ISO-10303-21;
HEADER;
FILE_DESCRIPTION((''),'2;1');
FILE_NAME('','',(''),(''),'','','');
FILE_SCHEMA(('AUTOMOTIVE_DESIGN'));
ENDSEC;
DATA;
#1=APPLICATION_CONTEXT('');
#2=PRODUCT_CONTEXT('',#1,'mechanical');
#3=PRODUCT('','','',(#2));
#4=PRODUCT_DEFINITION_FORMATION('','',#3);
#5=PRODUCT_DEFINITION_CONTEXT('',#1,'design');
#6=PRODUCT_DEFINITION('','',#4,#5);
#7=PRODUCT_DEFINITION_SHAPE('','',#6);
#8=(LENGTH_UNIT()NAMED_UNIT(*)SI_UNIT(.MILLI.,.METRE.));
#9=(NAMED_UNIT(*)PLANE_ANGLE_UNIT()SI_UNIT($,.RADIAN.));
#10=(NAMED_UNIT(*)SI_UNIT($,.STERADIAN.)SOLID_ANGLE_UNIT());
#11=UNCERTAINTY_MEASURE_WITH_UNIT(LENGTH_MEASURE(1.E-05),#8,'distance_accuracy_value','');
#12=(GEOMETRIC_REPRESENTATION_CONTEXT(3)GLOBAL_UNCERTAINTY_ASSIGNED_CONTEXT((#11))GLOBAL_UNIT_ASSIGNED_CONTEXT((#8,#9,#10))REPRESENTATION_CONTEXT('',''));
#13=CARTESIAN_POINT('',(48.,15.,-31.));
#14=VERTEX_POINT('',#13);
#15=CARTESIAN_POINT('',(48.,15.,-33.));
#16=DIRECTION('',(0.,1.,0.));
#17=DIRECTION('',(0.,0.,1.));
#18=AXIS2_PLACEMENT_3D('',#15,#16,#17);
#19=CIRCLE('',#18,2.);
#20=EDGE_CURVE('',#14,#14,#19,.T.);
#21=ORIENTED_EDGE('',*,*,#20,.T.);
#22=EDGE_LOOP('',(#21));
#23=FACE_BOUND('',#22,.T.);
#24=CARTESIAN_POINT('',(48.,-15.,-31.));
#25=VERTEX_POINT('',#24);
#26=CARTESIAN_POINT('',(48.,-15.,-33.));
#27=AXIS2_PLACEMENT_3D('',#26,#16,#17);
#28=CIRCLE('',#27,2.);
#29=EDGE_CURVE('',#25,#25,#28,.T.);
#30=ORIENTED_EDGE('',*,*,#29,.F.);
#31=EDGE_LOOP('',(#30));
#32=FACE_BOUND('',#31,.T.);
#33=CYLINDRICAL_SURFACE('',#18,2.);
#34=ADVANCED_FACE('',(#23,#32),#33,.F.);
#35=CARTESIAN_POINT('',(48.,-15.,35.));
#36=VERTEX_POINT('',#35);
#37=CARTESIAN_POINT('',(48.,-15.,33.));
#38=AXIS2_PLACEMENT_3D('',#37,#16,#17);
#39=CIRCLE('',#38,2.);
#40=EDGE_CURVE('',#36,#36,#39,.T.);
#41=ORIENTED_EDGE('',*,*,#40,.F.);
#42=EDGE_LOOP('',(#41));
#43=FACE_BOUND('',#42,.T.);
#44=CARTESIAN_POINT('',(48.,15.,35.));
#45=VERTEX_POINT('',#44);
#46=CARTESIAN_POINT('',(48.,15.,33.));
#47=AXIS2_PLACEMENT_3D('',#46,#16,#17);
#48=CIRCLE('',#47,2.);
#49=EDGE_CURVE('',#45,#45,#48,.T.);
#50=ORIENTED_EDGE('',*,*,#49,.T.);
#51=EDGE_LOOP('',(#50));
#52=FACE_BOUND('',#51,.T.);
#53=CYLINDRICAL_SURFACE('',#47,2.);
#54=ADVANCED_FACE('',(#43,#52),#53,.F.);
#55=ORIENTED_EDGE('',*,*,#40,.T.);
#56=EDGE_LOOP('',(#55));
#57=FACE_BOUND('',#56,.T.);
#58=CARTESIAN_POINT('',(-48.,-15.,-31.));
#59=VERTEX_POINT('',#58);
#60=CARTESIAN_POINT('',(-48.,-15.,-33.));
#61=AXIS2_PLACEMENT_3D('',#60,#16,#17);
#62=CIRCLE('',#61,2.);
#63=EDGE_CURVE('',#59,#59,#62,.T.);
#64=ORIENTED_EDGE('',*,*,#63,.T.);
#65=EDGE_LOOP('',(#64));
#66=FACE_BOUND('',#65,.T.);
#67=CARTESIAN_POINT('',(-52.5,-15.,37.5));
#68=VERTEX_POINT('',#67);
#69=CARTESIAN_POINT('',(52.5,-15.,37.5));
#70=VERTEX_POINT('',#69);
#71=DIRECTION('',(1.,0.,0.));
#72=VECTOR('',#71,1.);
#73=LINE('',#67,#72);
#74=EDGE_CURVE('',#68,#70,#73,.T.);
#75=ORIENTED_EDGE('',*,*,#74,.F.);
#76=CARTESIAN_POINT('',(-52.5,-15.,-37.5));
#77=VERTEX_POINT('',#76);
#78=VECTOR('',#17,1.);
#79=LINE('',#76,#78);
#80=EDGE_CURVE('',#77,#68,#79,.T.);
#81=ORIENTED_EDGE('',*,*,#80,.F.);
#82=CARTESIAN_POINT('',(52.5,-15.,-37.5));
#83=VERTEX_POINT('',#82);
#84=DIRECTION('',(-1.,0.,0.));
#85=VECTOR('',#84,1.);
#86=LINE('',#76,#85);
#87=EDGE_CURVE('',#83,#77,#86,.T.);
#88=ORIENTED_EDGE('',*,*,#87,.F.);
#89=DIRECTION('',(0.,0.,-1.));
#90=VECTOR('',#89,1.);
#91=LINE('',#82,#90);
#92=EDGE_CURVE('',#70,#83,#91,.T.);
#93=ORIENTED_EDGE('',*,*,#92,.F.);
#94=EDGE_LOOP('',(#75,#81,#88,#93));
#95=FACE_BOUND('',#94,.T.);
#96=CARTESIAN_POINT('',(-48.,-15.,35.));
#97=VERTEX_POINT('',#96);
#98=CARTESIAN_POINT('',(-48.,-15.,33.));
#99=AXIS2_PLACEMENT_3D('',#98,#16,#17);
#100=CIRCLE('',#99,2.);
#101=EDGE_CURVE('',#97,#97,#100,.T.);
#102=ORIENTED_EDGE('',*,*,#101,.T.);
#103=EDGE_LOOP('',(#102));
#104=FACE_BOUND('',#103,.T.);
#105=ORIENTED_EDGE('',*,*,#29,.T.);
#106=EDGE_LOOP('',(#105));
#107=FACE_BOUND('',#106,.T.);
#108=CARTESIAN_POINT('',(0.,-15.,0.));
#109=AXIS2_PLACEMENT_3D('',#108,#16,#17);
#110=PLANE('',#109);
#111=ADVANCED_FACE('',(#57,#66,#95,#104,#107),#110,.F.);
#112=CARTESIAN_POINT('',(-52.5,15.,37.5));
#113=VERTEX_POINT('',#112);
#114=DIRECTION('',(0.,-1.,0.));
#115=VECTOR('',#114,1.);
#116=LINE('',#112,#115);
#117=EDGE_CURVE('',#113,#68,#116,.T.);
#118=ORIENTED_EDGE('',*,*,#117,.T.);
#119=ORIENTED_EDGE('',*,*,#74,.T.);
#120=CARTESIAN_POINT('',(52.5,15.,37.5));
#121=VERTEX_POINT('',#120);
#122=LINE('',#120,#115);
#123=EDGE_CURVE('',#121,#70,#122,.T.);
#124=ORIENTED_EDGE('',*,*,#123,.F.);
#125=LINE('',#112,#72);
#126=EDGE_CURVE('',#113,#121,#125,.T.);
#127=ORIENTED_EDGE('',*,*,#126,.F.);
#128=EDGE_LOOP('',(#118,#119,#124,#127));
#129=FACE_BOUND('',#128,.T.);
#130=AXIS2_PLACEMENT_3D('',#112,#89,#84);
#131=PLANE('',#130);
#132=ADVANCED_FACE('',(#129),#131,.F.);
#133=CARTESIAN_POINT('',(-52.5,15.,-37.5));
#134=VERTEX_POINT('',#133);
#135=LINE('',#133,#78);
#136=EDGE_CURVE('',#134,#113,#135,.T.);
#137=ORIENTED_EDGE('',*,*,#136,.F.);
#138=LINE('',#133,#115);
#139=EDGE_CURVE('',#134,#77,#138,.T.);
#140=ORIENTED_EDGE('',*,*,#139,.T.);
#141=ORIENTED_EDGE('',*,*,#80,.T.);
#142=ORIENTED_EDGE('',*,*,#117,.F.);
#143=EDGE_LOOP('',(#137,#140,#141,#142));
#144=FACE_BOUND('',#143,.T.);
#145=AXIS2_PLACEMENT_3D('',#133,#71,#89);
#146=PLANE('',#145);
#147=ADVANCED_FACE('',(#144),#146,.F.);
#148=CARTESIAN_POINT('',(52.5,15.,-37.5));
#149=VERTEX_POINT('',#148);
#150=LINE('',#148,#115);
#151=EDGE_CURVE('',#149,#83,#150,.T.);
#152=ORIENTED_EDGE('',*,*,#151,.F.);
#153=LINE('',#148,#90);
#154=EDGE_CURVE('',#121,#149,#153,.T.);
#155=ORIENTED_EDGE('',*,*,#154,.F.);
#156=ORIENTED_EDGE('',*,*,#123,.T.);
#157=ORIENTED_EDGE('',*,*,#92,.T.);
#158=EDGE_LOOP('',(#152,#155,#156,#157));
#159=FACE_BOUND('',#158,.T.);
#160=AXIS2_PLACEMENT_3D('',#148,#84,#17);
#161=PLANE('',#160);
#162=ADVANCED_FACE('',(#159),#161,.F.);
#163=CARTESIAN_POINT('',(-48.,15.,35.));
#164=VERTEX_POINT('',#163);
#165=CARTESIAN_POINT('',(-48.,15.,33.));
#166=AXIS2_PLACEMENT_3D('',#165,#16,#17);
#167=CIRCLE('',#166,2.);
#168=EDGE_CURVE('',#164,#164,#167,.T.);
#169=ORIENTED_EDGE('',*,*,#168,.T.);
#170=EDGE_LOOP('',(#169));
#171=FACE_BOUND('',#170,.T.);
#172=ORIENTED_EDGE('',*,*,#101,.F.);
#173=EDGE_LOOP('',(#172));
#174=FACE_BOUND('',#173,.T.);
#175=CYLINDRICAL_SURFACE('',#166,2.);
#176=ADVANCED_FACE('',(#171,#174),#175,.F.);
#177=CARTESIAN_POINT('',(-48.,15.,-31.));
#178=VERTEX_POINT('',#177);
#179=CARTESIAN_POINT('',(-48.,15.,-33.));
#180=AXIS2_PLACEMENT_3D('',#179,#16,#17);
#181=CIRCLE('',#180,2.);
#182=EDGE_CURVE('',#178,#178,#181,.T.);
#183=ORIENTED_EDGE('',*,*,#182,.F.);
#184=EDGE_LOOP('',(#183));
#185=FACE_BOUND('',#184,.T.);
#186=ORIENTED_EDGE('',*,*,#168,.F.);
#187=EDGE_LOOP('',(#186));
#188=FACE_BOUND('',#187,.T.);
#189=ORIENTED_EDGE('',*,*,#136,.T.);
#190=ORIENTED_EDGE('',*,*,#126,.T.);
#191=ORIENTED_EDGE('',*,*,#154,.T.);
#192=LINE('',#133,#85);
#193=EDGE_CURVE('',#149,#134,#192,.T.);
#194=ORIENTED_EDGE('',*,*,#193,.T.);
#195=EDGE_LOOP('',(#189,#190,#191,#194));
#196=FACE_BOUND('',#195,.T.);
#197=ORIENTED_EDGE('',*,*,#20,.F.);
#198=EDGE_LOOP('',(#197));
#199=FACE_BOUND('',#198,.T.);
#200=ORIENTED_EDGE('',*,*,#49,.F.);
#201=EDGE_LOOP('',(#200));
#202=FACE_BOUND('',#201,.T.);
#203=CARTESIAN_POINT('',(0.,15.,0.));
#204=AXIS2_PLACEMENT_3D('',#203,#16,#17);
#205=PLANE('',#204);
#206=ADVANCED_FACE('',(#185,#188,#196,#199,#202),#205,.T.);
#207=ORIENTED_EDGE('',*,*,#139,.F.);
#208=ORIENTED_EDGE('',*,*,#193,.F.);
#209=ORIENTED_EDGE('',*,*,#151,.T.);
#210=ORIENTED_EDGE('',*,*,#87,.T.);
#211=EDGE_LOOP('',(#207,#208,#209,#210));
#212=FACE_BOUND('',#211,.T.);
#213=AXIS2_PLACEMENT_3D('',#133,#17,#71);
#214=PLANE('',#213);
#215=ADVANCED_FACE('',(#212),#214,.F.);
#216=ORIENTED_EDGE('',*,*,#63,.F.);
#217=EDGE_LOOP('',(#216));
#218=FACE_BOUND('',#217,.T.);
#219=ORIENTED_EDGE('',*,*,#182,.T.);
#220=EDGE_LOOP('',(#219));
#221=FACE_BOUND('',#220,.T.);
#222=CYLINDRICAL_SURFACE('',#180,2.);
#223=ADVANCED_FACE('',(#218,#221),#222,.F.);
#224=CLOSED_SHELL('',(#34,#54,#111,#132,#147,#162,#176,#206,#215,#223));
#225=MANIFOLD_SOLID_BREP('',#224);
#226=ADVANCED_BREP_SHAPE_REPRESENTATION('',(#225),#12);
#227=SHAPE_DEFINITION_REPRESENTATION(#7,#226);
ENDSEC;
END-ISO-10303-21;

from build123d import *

# Parameters (mm, degrees)
SKETCH1_W             = 105
SKETCH1_H             = 75
BOSS_EXTRUDE1_DEPTH   = 15
F_4_0MM_DOWEL_HOLE1_D = 4


with BuildPart() as part:
    # Sketch1 → Boss-Extrude1 (new body, symmetric)
    with BuildSketch(Plane(origin=(0, 0, 0), x_dir=(1, 0, 0), z_dir=(0, 1, 0))):
        Rectangle(SKETCH1_W, SKETCH1_H)
    extrude(amount=BOSS_EXTRUDE1_DEPTH, both=True)

    # Ø4.0mm Dowel Hole1 (through all)
    with Locations(Plane(origin=(0, 15, 0), x_dir=(1, 0, 0), z_dir=(0, 1, 0))):
        with Locations((-48, 33), (48, 33), (48, -33), (-48, -33)):
            Hole(F_4_0MM_DOWEL_HOLE1_D / 2)


solid = part.part
